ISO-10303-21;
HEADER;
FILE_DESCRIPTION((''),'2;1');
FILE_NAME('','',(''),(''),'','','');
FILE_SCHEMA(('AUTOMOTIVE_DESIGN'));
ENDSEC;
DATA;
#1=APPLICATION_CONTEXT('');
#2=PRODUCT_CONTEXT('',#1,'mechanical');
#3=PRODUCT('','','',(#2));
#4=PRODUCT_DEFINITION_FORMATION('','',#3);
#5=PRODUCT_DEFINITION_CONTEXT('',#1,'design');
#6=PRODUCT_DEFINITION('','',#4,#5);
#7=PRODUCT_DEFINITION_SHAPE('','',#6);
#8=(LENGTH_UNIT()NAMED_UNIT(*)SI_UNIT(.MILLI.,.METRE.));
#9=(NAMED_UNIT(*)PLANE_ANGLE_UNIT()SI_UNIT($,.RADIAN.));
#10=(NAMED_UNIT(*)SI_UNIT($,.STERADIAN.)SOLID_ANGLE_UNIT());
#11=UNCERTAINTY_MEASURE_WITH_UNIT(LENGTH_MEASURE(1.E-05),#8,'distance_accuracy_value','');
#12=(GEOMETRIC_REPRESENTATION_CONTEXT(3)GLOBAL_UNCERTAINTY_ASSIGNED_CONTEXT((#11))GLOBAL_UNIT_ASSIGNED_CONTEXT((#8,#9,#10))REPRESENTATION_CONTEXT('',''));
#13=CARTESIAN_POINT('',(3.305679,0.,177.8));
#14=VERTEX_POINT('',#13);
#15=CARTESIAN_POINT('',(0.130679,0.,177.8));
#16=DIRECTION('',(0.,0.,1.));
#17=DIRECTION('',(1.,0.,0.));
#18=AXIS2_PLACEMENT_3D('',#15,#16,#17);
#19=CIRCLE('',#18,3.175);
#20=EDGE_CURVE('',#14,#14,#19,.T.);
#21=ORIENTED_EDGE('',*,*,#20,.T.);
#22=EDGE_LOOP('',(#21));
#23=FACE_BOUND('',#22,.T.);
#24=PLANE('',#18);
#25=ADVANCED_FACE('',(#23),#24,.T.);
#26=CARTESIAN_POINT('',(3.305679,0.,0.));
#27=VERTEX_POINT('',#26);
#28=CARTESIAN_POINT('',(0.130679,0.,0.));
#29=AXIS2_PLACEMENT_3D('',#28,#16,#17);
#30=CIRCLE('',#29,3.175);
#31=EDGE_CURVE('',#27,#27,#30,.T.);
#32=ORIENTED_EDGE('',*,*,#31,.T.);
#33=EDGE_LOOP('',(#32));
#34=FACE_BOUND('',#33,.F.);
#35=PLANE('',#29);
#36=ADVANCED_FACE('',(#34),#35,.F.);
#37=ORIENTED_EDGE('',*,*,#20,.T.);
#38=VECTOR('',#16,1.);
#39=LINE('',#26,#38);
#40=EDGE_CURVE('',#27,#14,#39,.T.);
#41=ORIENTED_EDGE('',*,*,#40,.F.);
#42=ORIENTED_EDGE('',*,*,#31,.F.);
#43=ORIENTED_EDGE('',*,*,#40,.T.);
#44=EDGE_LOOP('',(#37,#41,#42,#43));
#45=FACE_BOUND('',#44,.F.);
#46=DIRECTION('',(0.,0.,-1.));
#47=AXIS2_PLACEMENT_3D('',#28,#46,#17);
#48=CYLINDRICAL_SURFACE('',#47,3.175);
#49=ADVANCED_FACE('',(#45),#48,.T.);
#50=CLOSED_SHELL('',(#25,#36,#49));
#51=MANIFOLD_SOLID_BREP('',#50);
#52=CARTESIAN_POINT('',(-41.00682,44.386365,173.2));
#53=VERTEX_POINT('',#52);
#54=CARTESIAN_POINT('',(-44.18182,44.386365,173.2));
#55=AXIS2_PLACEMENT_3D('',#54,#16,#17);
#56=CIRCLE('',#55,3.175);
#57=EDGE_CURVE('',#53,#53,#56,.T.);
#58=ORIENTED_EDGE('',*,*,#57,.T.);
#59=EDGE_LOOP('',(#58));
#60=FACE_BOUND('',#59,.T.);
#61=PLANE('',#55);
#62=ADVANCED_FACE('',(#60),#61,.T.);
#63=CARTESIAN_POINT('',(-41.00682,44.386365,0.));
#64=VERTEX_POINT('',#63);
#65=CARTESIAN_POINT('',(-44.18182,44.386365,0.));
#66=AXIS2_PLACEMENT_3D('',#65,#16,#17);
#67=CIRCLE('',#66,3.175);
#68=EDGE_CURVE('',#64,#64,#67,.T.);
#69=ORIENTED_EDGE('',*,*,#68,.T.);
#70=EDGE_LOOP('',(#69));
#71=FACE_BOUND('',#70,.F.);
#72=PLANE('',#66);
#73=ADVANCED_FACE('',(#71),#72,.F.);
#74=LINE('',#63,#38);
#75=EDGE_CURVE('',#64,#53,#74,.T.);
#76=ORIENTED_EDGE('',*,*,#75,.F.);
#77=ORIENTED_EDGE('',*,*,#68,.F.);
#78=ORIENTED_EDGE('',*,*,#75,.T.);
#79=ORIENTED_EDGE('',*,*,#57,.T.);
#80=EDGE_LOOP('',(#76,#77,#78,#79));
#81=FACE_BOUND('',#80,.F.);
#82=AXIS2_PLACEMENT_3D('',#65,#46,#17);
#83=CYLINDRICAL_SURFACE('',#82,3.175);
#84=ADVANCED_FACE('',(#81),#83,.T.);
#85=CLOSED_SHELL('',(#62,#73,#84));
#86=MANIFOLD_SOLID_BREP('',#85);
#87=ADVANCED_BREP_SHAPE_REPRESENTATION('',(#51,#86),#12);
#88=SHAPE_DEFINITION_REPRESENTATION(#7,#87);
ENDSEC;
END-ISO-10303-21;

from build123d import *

# Parameters (mm, degrees)
F0_R     = 3.175
F1_DEPTH = 177.8
F2_R     = 3.175
F3_DEPTH = 173.2


with BuildPart() as f1:
    # F0 (on Top) → F1 (new body)
    with BuildSketch(Plane.XY):
        with Locations((0.130679, 0)):
            Circle(F0_R)
    extrude(amount=F1_DEPTH)


with BuildPart() as f3:
    # F2 (on Top) → F3 (new body)
    with BuildSketch(Plane.XY):
        with Locations((-44.18182, 44.386365)):
            Circle(F2_R)
    extrude(amount=F3_DEPTH)


solid = Compound([f1.part, f3.part])
